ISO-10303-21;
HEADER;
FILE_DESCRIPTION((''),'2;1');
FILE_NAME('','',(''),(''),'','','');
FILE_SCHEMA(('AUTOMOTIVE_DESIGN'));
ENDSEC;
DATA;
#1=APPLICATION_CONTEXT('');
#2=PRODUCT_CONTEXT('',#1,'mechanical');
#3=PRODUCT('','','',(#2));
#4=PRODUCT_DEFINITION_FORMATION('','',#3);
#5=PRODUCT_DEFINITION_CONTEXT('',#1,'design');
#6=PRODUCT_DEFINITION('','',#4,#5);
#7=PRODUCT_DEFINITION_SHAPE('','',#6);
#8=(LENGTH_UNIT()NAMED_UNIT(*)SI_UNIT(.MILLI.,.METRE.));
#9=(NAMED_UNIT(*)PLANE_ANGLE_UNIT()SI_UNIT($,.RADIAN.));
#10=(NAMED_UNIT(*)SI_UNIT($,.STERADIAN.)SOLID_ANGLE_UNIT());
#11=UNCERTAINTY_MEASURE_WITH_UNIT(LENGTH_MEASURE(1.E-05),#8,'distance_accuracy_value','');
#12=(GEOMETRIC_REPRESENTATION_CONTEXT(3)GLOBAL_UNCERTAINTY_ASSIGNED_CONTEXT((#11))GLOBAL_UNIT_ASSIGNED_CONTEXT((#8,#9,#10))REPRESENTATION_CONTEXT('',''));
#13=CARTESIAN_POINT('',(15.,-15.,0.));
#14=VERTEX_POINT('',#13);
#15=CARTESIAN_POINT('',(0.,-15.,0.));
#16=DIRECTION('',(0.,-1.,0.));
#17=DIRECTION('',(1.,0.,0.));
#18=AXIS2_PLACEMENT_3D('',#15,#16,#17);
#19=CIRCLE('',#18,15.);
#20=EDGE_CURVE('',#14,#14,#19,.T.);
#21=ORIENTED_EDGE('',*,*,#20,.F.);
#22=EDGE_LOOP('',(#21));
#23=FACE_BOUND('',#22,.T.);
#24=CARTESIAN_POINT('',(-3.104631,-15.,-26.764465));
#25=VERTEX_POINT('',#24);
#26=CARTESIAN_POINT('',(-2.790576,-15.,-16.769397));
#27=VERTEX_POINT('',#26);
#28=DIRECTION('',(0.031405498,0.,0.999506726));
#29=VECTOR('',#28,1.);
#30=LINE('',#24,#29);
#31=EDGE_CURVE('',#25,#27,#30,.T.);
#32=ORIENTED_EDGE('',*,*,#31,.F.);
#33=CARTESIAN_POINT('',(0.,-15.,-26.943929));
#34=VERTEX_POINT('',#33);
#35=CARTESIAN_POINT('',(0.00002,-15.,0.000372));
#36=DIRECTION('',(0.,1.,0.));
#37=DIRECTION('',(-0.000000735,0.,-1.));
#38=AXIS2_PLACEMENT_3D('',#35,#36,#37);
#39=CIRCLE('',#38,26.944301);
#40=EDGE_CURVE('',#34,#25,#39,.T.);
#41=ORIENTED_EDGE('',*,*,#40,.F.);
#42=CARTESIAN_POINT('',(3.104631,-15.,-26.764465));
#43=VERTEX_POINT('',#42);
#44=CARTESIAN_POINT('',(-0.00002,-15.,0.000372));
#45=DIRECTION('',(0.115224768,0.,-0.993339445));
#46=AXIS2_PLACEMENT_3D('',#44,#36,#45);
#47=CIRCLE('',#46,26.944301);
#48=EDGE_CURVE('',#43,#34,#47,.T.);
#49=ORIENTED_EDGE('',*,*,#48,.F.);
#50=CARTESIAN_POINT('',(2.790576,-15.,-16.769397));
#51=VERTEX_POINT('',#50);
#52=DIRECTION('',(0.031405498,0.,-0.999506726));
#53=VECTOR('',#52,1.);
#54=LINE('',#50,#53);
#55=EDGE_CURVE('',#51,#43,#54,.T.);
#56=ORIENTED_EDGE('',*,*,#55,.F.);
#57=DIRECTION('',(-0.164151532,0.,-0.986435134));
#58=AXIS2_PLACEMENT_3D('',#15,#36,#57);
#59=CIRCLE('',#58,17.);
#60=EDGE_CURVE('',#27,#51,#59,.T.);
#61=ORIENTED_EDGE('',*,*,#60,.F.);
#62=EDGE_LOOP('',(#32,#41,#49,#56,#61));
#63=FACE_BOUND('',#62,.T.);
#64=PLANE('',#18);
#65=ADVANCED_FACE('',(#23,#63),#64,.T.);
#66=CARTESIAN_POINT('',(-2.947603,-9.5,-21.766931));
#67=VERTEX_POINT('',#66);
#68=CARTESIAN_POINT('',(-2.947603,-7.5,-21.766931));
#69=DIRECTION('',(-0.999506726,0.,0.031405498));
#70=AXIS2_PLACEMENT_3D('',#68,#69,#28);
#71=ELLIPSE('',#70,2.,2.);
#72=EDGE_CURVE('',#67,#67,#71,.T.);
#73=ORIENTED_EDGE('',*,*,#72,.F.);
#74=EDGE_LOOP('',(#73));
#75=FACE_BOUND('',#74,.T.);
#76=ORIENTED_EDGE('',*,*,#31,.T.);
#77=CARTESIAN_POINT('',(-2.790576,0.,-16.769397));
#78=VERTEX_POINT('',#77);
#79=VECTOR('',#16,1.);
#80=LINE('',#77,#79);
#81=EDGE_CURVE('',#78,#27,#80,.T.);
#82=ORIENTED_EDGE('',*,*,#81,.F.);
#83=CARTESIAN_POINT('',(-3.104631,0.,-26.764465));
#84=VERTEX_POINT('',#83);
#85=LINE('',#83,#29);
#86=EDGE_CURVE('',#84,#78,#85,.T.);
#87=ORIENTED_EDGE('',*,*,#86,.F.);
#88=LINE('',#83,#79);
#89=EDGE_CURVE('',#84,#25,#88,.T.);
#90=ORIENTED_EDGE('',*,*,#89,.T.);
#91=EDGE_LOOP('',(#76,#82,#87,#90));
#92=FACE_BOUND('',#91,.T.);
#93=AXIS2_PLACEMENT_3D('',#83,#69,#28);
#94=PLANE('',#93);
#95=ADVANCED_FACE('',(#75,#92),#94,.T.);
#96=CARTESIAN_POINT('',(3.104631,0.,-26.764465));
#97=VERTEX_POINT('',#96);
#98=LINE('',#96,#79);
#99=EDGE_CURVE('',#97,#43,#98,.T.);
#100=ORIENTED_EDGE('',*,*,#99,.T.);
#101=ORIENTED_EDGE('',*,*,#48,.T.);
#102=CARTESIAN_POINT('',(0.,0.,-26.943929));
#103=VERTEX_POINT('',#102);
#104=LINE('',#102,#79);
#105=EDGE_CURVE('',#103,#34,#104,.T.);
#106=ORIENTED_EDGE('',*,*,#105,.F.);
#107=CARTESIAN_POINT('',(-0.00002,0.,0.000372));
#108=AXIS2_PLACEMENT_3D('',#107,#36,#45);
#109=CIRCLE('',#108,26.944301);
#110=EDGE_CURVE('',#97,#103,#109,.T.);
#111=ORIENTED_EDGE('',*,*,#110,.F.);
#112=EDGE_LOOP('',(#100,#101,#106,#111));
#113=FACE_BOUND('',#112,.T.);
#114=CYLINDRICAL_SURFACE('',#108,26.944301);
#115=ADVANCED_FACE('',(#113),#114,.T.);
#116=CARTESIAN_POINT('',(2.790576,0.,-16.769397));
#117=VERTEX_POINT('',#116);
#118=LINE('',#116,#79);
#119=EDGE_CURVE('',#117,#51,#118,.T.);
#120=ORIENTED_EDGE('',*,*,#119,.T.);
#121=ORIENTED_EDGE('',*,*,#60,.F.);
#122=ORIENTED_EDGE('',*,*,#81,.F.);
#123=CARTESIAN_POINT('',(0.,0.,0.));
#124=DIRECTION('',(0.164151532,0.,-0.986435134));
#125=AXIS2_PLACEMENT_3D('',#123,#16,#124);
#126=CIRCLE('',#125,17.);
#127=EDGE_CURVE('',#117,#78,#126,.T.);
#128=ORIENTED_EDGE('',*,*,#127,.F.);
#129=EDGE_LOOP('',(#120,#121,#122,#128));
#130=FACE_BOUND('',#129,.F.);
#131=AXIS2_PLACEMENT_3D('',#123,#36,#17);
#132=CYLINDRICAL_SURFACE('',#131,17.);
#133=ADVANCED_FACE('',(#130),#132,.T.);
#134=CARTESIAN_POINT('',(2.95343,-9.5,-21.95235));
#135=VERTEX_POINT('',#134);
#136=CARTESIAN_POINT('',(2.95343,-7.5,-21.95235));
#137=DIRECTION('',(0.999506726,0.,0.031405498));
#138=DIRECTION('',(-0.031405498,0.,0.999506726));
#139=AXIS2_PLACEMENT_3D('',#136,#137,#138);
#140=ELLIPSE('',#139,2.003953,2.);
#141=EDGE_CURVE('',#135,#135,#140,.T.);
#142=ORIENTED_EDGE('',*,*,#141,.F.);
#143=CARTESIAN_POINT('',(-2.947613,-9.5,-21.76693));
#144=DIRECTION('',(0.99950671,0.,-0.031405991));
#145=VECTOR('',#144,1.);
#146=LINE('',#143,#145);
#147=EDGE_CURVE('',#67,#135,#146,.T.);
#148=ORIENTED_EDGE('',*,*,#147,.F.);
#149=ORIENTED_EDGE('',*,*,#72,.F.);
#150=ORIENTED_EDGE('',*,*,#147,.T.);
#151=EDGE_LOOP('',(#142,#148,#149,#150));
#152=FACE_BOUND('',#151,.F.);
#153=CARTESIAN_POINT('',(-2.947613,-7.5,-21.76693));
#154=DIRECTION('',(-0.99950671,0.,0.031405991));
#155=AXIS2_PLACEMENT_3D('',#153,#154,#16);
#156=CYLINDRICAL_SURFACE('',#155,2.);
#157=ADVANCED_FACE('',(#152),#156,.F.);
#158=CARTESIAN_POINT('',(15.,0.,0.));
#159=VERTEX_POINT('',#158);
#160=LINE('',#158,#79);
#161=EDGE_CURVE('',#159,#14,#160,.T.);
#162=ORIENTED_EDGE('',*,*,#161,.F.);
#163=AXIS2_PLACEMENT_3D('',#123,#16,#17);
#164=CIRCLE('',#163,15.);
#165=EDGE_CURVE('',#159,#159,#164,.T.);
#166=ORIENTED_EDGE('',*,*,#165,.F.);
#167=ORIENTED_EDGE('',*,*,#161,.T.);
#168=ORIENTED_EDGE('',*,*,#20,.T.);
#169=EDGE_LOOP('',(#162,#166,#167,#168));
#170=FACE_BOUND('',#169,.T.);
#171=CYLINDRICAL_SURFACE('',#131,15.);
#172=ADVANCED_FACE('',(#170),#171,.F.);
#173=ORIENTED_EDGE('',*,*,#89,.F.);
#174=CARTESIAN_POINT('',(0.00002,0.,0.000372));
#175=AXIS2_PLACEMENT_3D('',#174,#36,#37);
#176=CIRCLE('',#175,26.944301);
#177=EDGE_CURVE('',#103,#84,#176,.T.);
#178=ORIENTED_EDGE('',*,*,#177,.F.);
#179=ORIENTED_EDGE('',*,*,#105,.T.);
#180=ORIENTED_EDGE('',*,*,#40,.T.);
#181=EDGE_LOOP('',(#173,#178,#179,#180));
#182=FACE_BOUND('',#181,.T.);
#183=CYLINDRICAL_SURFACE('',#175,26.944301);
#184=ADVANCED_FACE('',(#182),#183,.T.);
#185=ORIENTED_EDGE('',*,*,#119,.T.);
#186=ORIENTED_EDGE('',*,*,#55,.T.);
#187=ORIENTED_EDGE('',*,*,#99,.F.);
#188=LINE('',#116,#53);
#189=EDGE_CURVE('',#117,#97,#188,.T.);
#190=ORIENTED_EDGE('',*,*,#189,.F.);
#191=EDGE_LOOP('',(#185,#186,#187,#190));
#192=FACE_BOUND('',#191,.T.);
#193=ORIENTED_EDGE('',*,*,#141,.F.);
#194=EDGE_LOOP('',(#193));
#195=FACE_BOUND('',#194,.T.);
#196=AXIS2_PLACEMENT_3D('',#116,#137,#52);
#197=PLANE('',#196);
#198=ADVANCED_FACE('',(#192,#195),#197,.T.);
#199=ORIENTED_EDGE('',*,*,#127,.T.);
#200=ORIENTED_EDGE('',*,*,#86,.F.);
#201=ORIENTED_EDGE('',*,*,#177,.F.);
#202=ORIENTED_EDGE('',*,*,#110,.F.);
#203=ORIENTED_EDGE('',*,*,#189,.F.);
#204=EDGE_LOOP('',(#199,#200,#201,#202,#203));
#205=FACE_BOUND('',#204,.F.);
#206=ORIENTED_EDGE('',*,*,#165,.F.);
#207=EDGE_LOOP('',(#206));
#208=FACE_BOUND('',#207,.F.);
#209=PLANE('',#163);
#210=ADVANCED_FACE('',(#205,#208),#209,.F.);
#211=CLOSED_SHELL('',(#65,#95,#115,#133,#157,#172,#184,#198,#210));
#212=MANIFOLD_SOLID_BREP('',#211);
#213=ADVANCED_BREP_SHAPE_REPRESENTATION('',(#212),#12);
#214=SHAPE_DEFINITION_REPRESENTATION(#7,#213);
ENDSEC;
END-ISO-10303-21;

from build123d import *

# Parameters (mm, degrees)
F0_R     = 17
F0_R_2   = 15
F1_DEPTH = 15
F3_DEPTH = 15
F4_R     = 2
F5_DEPTH = 20.10135


with BuildPart() as f1:
    # F0 (on Front) → F1 (new body)
    with BuildSketch(Plane.XZ):
        Circle(F0_R)
        Circle(F0_R_2, mode=Mode.SUBTRACT)
    extrude(amount=F1_DEPTH)

    # F2 (on face) → F3 (join)
    with BuildSketch(Plane(origin=(0, 0, 0), x_dir=(-1, 0, 0), z_dir=(0, 1, 0))):
        with BuildLine():
            Line((-2.790576, -16.769397), (-3.104631, -26.764465))
            ThreePointArc((-3.104631, -26.764465), (-1.554907, -26.899025), (0, -26.943929))
            ThreePointArc((0, -26.943929), (1.554907, -26.899025), (3.104631, -26.764465))
            Line((3.104631, -26.764465), (2.790576, -16.769397))
            ThreePointArc((2.790576, -16.769397), (1.400044, -16.942251), (0, -17))
            ThreePointArc((0, -17), (-1.400044, -16.942251), (-2.790576, -16.769397))
        make_face()
    extrude(amount=-F3_DEPTH)

    # F4 (on face) → F5 (cut, through all)
    with BuildSketch(Plane(origin=(-2.261431, 0, 0.071057), x_dir=(0, -1, 0), z_dir=(-0.999507, 0, 0.031406))):
        with Locations((7.5, -21.848765)):
            Circle(F4_R)
    extrude(amount=-F5_DEPTH, mode=Mode.SUBTRACT)


solid = f1.part
